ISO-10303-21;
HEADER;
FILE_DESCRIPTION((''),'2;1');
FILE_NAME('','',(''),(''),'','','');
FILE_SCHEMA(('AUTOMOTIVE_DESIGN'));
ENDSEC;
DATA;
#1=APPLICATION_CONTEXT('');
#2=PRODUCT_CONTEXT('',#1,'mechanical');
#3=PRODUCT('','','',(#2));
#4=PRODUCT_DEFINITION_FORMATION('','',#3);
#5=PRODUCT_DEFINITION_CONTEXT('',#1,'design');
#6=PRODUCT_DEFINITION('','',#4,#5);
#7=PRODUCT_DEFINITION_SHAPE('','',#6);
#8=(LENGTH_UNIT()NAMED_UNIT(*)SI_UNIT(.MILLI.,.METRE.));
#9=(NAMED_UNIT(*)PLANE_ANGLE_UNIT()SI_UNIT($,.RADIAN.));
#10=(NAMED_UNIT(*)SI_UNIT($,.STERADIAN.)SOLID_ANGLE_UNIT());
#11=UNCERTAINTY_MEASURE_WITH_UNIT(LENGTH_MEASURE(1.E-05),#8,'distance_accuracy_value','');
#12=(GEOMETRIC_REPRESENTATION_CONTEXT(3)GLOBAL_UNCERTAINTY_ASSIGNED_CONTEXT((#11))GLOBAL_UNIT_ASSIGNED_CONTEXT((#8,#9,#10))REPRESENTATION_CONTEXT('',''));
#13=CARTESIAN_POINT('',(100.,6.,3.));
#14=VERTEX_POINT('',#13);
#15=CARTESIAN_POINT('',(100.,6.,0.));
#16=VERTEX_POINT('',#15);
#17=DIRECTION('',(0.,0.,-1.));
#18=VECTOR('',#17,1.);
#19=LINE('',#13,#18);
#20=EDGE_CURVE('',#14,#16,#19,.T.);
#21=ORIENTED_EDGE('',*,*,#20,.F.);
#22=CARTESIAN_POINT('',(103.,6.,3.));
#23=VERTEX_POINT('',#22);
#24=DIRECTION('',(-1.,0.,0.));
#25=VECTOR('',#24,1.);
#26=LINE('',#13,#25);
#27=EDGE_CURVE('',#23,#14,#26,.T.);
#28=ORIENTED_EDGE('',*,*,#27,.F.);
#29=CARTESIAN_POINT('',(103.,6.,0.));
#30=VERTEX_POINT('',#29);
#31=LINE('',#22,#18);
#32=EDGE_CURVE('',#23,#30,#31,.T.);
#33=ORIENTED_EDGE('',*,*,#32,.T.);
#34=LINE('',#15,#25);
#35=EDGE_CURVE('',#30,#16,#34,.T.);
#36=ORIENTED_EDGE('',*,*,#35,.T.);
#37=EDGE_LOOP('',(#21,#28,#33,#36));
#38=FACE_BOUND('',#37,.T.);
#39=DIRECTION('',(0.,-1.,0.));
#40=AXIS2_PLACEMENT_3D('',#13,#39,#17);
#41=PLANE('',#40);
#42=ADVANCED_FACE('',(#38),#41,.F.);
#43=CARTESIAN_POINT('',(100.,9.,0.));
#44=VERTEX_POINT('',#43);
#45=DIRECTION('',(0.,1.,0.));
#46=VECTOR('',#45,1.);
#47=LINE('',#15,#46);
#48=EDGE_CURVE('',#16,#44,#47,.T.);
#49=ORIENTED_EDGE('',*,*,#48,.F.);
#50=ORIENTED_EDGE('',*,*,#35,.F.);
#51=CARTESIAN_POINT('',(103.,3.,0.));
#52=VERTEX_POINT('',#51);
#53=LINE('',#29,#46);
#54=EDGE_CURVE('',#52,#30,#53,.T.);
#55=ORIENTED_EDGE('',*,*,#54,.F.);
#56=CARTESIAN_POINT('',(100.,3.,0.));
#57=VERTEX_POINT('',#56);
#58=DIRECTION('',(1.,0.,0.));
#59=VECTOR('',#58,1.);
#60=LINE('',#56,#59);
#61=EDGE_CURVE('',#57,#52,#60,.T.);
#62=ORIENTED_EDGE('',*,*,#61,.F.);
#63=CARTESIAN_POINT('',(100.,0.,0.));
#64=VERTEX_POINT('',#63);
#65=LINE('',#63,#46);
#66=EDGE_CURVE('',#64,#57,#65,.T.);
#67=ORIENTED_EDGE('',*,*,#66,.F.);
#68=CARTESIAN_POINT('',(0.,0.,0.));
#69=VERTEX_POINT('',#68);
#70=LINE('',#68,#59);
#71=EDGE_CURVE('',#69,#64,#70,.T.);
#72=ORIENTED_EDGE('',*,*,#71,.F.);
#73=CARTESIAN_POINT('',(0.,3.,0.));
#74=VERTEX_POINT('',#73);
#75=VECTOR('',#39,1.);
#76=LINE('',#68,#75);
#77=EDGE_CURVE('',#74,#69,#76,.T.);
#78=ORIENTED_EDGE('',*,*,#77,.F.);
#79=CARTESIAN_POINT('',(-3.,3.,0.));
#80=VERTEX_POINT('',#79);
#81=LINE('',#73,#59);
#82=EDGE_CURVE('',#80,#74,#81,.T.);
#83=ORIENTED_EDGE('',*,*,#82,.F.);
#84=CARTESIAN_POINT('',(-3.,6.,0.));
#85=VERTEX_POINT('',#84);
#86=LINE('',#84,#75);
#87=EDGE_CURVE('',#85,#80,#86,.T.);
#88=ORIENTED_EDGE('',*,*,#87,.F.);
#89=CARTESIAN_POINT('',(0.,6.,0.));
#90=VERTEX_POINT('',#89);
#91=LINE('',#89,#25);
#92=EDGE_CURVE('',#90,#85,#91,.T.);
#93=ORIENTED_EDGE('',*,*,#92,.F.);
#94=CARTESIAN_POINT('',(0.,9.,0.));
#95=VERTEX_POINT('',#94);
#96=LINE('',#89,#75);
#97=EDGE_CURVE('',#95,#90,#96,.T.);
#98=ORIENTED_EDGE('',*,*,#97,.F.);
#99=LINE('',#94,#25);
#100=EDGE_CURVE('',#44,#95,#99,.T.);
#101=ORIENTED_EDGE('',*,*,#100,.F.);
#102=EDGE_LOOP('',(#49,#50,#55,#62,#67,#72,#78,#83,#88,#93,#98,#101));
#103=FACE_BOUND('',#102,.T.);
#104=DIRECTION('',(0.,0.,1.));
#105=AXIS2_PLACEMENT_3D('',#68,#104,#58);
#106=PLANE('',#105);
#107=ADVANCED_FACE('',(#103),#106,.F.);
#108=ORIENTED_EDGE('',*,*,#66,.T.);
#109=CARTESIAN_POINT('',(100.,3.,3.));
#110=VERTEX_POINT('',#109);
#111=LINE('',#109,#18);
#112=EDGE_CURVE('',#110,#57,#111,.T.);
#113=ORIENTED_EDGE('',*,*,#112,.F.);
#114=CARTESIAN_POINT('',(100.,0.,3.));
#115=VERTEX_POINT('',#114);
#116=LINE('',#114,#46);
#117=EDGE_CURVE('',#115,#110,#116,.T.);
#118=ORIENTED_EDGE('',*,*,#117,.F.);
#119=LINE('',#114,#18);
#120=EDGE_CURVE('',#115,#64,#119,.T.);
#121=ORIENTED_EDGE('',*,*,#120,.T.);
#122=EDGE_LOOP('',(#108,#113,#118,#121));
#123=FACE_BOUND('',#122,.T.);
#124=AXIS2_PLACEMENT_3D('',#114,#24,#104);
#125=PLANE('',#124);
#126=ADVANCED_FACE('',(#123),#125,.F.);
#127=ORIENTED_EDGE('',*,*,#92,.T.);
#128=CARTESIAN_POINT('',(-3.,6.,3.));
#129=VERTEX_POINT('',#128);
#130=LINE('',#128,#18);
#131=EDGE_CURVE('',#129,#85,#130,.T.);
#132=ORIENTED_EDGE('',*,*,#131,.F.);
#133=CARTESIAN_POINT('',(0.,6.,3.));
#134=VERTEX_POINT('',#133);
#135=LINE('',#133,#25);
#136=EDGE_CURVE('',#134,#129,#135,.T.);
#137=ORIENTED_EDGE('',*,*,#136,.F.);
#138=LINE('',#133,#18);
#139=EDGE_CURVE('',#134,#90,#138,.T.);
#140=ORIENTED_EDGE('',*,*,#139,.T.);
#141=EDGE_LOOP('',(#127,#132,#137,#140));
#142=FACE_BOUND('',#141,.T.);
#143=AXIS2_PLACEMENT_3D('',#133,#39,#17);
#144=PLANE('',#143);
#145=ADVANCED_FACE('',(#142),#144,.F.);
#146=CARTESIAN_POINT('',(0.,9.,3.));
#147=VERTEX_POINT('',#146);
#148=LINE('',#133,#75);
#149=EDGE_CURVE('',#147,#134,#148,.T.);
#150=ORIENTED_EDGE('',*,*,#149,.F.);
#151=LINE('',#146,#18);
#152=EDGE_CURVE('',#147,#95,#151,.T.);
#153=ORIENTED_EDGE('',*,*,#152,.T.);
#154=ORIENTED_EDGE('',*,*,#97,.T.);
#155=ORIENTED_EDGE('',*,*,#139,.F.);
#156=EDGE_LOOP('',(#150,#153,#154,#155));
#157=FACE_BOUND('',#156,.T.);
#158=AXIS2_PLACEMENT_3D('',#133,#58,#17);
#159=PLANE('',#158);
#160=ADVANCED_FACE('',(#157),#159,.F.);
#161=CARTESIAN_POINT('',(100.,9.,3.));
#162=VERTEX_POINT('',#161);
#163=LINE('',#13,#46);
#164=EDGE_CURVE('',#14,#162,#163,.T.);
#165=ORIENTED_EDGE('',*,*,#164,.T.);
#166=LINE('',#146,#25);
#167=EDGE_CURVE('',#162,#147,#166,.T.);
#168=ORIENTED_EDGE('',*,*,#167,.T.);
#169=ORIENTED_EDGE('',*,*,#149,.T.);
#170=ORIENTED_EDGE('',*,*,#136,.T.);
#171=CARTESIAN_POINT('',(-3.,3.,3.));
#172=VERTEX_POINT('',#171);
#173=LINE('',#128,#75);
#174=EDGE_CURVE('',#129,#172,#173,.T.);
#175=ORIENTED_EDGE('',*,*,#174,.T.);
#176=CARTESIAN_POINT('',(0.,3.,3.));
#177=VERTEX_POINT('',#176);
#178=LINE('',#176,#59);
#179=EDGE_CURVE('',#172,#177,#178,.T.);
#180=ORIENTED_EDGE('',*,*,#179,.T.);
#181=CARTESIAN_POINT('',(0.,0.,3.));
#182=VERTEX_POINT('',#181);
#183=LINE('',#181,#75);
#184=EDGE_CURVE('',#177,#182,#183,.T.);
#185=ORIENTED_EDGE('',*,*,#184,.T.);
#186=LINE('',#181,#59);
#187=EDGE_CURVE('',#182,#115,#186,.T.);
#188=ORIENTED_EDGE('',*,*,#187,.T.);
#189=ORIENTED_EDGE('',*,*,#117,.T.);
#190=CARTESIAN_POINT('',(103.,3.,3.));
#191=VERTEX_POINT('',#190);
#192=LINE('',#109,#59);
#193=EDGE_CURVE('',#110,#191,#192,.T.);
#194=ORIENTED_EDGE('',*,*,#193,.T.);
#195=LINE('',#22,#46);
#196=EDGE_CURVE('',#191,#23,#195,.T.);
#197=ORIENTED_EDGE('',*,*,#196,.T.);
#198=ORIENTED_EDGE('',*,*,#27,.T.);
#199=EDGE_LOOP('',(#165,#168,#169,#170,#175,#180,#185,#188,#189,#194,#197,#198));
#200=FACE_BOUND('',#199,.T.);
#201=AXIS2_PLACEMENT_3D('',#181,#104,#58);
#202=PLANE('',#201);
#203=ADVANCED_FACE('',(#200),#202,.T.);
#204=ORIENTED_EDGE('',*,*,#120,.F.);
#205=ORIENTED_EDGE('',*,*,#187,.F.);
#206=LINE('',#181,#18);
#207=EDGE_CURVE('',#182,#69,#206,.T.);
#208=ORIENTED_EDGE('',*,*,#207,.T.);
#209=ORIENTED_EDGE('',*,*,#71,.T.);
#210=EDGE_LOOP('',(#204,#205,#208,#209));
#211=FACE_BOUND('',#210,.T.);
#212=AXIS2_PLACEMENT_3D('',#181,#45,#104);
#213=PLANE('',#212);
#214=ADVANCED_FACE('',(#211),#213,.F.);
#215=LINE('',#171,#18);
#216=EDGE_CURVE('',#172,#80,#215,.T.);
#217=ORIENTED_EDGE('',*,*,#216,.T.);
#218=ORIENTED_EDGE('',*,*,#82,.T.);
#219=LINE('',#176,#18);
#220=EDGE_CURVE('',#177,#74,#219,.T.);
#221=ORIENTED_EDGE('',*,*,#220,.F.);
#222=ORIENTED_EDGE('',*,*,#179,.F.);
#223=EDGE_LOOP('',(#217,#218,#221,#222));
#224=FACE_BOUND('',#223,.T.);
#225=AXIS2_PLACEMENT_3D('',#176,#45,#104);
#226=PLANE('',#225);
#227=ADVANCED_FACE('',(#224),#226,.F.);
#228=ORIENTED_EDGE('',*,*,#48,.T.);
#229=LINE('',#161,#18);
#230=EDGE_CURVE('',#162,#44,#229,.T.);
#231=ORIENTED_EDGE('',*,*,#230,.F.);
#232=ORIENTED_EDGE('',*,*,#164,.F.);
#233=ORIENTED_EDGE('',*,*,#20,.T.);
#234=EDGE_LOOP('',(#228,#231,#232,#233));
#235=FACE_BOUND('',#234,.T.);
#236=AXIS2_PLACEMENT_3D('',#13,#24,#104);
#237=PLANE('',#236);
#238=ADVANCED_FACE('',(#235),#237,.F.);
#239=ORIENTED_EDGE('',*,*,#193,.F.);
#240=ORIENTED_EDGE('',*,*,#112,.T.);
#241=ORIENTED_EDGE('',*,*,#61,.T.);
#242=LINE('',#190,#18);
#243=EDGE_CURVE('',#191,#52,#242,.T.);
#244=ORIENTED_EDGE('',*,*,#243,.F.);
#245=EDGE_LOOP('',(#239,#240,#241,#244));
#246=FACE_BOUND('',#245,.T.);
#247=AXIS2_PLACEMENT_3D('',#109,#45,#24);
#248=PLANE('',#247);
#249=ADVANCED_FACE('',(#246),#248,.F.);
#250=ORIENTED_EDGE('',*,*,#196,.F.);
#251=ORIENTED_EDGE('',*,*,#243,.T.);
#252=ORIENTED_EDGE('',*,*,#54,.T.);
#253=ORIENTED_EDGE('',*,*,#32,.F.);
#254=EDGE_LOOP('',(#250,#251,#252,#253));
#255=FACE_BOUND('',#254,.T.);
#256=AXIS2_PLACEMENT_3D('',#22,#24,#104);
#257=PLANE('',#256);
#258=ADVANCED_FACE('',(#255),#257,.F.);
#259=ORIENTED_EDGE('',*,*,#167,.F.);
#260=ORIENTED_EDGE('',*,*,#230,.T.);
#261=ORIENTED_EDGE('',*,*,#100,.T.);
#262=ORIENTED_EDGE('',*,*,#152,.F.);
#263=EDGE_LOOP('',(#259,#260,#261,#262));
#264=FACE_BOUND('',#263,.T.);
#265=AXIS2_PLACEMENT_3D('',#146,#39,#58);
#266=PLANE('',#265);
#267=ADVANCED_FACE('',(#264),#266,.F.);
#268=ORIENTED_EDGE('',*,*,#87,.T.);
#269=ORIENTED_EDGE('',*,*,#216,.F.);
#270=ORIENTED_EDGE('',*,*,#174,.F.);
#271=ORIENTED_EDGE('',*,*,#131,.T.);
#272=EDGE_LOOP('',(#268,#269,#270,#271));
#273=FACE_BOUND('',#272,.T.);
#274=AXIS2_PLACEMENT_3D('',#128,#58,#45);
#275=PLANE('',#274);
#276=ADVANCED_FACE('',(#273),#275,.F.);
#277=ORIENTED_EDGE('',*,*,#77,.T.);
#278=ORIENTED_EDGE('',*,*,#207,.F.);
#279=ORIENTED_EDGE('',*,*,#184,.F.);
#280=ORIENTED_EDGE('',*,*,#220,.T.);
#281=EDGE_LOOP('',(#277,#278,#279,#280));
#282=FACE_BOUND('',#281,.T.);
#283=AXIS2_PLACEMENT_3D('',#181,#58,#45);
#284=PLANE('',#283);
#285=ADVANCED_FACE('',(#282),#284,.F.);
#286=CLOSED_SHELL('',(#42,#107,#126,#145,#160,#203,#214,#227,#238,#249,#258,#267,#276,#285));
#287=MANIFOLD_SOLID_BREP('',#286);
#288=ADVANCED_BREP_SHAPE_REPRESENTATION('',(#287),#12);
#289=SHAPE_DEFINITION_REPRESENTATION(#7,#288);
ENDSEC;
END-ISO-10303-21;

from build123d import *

# Parameters (mm, degrees)
SALIENTE_EXTRUIR1_DEPTH = 3


with BuildPart() as part:
    # Croquis1 → Saliente-Extruir1 (new body)
    with BuildSketch(Plane.XY):
        Polygon((0, 0), (100, 0), (100, 3), (103, 3), (103, 6), (100, 6), (100, 9), (0, 9), (0, 6), (-3, 6), (-3, 3), (0, 3), align=None)
    extrude(amount=SALIENTE_EXTRUIR1_DEPTH)


solid = part.part
